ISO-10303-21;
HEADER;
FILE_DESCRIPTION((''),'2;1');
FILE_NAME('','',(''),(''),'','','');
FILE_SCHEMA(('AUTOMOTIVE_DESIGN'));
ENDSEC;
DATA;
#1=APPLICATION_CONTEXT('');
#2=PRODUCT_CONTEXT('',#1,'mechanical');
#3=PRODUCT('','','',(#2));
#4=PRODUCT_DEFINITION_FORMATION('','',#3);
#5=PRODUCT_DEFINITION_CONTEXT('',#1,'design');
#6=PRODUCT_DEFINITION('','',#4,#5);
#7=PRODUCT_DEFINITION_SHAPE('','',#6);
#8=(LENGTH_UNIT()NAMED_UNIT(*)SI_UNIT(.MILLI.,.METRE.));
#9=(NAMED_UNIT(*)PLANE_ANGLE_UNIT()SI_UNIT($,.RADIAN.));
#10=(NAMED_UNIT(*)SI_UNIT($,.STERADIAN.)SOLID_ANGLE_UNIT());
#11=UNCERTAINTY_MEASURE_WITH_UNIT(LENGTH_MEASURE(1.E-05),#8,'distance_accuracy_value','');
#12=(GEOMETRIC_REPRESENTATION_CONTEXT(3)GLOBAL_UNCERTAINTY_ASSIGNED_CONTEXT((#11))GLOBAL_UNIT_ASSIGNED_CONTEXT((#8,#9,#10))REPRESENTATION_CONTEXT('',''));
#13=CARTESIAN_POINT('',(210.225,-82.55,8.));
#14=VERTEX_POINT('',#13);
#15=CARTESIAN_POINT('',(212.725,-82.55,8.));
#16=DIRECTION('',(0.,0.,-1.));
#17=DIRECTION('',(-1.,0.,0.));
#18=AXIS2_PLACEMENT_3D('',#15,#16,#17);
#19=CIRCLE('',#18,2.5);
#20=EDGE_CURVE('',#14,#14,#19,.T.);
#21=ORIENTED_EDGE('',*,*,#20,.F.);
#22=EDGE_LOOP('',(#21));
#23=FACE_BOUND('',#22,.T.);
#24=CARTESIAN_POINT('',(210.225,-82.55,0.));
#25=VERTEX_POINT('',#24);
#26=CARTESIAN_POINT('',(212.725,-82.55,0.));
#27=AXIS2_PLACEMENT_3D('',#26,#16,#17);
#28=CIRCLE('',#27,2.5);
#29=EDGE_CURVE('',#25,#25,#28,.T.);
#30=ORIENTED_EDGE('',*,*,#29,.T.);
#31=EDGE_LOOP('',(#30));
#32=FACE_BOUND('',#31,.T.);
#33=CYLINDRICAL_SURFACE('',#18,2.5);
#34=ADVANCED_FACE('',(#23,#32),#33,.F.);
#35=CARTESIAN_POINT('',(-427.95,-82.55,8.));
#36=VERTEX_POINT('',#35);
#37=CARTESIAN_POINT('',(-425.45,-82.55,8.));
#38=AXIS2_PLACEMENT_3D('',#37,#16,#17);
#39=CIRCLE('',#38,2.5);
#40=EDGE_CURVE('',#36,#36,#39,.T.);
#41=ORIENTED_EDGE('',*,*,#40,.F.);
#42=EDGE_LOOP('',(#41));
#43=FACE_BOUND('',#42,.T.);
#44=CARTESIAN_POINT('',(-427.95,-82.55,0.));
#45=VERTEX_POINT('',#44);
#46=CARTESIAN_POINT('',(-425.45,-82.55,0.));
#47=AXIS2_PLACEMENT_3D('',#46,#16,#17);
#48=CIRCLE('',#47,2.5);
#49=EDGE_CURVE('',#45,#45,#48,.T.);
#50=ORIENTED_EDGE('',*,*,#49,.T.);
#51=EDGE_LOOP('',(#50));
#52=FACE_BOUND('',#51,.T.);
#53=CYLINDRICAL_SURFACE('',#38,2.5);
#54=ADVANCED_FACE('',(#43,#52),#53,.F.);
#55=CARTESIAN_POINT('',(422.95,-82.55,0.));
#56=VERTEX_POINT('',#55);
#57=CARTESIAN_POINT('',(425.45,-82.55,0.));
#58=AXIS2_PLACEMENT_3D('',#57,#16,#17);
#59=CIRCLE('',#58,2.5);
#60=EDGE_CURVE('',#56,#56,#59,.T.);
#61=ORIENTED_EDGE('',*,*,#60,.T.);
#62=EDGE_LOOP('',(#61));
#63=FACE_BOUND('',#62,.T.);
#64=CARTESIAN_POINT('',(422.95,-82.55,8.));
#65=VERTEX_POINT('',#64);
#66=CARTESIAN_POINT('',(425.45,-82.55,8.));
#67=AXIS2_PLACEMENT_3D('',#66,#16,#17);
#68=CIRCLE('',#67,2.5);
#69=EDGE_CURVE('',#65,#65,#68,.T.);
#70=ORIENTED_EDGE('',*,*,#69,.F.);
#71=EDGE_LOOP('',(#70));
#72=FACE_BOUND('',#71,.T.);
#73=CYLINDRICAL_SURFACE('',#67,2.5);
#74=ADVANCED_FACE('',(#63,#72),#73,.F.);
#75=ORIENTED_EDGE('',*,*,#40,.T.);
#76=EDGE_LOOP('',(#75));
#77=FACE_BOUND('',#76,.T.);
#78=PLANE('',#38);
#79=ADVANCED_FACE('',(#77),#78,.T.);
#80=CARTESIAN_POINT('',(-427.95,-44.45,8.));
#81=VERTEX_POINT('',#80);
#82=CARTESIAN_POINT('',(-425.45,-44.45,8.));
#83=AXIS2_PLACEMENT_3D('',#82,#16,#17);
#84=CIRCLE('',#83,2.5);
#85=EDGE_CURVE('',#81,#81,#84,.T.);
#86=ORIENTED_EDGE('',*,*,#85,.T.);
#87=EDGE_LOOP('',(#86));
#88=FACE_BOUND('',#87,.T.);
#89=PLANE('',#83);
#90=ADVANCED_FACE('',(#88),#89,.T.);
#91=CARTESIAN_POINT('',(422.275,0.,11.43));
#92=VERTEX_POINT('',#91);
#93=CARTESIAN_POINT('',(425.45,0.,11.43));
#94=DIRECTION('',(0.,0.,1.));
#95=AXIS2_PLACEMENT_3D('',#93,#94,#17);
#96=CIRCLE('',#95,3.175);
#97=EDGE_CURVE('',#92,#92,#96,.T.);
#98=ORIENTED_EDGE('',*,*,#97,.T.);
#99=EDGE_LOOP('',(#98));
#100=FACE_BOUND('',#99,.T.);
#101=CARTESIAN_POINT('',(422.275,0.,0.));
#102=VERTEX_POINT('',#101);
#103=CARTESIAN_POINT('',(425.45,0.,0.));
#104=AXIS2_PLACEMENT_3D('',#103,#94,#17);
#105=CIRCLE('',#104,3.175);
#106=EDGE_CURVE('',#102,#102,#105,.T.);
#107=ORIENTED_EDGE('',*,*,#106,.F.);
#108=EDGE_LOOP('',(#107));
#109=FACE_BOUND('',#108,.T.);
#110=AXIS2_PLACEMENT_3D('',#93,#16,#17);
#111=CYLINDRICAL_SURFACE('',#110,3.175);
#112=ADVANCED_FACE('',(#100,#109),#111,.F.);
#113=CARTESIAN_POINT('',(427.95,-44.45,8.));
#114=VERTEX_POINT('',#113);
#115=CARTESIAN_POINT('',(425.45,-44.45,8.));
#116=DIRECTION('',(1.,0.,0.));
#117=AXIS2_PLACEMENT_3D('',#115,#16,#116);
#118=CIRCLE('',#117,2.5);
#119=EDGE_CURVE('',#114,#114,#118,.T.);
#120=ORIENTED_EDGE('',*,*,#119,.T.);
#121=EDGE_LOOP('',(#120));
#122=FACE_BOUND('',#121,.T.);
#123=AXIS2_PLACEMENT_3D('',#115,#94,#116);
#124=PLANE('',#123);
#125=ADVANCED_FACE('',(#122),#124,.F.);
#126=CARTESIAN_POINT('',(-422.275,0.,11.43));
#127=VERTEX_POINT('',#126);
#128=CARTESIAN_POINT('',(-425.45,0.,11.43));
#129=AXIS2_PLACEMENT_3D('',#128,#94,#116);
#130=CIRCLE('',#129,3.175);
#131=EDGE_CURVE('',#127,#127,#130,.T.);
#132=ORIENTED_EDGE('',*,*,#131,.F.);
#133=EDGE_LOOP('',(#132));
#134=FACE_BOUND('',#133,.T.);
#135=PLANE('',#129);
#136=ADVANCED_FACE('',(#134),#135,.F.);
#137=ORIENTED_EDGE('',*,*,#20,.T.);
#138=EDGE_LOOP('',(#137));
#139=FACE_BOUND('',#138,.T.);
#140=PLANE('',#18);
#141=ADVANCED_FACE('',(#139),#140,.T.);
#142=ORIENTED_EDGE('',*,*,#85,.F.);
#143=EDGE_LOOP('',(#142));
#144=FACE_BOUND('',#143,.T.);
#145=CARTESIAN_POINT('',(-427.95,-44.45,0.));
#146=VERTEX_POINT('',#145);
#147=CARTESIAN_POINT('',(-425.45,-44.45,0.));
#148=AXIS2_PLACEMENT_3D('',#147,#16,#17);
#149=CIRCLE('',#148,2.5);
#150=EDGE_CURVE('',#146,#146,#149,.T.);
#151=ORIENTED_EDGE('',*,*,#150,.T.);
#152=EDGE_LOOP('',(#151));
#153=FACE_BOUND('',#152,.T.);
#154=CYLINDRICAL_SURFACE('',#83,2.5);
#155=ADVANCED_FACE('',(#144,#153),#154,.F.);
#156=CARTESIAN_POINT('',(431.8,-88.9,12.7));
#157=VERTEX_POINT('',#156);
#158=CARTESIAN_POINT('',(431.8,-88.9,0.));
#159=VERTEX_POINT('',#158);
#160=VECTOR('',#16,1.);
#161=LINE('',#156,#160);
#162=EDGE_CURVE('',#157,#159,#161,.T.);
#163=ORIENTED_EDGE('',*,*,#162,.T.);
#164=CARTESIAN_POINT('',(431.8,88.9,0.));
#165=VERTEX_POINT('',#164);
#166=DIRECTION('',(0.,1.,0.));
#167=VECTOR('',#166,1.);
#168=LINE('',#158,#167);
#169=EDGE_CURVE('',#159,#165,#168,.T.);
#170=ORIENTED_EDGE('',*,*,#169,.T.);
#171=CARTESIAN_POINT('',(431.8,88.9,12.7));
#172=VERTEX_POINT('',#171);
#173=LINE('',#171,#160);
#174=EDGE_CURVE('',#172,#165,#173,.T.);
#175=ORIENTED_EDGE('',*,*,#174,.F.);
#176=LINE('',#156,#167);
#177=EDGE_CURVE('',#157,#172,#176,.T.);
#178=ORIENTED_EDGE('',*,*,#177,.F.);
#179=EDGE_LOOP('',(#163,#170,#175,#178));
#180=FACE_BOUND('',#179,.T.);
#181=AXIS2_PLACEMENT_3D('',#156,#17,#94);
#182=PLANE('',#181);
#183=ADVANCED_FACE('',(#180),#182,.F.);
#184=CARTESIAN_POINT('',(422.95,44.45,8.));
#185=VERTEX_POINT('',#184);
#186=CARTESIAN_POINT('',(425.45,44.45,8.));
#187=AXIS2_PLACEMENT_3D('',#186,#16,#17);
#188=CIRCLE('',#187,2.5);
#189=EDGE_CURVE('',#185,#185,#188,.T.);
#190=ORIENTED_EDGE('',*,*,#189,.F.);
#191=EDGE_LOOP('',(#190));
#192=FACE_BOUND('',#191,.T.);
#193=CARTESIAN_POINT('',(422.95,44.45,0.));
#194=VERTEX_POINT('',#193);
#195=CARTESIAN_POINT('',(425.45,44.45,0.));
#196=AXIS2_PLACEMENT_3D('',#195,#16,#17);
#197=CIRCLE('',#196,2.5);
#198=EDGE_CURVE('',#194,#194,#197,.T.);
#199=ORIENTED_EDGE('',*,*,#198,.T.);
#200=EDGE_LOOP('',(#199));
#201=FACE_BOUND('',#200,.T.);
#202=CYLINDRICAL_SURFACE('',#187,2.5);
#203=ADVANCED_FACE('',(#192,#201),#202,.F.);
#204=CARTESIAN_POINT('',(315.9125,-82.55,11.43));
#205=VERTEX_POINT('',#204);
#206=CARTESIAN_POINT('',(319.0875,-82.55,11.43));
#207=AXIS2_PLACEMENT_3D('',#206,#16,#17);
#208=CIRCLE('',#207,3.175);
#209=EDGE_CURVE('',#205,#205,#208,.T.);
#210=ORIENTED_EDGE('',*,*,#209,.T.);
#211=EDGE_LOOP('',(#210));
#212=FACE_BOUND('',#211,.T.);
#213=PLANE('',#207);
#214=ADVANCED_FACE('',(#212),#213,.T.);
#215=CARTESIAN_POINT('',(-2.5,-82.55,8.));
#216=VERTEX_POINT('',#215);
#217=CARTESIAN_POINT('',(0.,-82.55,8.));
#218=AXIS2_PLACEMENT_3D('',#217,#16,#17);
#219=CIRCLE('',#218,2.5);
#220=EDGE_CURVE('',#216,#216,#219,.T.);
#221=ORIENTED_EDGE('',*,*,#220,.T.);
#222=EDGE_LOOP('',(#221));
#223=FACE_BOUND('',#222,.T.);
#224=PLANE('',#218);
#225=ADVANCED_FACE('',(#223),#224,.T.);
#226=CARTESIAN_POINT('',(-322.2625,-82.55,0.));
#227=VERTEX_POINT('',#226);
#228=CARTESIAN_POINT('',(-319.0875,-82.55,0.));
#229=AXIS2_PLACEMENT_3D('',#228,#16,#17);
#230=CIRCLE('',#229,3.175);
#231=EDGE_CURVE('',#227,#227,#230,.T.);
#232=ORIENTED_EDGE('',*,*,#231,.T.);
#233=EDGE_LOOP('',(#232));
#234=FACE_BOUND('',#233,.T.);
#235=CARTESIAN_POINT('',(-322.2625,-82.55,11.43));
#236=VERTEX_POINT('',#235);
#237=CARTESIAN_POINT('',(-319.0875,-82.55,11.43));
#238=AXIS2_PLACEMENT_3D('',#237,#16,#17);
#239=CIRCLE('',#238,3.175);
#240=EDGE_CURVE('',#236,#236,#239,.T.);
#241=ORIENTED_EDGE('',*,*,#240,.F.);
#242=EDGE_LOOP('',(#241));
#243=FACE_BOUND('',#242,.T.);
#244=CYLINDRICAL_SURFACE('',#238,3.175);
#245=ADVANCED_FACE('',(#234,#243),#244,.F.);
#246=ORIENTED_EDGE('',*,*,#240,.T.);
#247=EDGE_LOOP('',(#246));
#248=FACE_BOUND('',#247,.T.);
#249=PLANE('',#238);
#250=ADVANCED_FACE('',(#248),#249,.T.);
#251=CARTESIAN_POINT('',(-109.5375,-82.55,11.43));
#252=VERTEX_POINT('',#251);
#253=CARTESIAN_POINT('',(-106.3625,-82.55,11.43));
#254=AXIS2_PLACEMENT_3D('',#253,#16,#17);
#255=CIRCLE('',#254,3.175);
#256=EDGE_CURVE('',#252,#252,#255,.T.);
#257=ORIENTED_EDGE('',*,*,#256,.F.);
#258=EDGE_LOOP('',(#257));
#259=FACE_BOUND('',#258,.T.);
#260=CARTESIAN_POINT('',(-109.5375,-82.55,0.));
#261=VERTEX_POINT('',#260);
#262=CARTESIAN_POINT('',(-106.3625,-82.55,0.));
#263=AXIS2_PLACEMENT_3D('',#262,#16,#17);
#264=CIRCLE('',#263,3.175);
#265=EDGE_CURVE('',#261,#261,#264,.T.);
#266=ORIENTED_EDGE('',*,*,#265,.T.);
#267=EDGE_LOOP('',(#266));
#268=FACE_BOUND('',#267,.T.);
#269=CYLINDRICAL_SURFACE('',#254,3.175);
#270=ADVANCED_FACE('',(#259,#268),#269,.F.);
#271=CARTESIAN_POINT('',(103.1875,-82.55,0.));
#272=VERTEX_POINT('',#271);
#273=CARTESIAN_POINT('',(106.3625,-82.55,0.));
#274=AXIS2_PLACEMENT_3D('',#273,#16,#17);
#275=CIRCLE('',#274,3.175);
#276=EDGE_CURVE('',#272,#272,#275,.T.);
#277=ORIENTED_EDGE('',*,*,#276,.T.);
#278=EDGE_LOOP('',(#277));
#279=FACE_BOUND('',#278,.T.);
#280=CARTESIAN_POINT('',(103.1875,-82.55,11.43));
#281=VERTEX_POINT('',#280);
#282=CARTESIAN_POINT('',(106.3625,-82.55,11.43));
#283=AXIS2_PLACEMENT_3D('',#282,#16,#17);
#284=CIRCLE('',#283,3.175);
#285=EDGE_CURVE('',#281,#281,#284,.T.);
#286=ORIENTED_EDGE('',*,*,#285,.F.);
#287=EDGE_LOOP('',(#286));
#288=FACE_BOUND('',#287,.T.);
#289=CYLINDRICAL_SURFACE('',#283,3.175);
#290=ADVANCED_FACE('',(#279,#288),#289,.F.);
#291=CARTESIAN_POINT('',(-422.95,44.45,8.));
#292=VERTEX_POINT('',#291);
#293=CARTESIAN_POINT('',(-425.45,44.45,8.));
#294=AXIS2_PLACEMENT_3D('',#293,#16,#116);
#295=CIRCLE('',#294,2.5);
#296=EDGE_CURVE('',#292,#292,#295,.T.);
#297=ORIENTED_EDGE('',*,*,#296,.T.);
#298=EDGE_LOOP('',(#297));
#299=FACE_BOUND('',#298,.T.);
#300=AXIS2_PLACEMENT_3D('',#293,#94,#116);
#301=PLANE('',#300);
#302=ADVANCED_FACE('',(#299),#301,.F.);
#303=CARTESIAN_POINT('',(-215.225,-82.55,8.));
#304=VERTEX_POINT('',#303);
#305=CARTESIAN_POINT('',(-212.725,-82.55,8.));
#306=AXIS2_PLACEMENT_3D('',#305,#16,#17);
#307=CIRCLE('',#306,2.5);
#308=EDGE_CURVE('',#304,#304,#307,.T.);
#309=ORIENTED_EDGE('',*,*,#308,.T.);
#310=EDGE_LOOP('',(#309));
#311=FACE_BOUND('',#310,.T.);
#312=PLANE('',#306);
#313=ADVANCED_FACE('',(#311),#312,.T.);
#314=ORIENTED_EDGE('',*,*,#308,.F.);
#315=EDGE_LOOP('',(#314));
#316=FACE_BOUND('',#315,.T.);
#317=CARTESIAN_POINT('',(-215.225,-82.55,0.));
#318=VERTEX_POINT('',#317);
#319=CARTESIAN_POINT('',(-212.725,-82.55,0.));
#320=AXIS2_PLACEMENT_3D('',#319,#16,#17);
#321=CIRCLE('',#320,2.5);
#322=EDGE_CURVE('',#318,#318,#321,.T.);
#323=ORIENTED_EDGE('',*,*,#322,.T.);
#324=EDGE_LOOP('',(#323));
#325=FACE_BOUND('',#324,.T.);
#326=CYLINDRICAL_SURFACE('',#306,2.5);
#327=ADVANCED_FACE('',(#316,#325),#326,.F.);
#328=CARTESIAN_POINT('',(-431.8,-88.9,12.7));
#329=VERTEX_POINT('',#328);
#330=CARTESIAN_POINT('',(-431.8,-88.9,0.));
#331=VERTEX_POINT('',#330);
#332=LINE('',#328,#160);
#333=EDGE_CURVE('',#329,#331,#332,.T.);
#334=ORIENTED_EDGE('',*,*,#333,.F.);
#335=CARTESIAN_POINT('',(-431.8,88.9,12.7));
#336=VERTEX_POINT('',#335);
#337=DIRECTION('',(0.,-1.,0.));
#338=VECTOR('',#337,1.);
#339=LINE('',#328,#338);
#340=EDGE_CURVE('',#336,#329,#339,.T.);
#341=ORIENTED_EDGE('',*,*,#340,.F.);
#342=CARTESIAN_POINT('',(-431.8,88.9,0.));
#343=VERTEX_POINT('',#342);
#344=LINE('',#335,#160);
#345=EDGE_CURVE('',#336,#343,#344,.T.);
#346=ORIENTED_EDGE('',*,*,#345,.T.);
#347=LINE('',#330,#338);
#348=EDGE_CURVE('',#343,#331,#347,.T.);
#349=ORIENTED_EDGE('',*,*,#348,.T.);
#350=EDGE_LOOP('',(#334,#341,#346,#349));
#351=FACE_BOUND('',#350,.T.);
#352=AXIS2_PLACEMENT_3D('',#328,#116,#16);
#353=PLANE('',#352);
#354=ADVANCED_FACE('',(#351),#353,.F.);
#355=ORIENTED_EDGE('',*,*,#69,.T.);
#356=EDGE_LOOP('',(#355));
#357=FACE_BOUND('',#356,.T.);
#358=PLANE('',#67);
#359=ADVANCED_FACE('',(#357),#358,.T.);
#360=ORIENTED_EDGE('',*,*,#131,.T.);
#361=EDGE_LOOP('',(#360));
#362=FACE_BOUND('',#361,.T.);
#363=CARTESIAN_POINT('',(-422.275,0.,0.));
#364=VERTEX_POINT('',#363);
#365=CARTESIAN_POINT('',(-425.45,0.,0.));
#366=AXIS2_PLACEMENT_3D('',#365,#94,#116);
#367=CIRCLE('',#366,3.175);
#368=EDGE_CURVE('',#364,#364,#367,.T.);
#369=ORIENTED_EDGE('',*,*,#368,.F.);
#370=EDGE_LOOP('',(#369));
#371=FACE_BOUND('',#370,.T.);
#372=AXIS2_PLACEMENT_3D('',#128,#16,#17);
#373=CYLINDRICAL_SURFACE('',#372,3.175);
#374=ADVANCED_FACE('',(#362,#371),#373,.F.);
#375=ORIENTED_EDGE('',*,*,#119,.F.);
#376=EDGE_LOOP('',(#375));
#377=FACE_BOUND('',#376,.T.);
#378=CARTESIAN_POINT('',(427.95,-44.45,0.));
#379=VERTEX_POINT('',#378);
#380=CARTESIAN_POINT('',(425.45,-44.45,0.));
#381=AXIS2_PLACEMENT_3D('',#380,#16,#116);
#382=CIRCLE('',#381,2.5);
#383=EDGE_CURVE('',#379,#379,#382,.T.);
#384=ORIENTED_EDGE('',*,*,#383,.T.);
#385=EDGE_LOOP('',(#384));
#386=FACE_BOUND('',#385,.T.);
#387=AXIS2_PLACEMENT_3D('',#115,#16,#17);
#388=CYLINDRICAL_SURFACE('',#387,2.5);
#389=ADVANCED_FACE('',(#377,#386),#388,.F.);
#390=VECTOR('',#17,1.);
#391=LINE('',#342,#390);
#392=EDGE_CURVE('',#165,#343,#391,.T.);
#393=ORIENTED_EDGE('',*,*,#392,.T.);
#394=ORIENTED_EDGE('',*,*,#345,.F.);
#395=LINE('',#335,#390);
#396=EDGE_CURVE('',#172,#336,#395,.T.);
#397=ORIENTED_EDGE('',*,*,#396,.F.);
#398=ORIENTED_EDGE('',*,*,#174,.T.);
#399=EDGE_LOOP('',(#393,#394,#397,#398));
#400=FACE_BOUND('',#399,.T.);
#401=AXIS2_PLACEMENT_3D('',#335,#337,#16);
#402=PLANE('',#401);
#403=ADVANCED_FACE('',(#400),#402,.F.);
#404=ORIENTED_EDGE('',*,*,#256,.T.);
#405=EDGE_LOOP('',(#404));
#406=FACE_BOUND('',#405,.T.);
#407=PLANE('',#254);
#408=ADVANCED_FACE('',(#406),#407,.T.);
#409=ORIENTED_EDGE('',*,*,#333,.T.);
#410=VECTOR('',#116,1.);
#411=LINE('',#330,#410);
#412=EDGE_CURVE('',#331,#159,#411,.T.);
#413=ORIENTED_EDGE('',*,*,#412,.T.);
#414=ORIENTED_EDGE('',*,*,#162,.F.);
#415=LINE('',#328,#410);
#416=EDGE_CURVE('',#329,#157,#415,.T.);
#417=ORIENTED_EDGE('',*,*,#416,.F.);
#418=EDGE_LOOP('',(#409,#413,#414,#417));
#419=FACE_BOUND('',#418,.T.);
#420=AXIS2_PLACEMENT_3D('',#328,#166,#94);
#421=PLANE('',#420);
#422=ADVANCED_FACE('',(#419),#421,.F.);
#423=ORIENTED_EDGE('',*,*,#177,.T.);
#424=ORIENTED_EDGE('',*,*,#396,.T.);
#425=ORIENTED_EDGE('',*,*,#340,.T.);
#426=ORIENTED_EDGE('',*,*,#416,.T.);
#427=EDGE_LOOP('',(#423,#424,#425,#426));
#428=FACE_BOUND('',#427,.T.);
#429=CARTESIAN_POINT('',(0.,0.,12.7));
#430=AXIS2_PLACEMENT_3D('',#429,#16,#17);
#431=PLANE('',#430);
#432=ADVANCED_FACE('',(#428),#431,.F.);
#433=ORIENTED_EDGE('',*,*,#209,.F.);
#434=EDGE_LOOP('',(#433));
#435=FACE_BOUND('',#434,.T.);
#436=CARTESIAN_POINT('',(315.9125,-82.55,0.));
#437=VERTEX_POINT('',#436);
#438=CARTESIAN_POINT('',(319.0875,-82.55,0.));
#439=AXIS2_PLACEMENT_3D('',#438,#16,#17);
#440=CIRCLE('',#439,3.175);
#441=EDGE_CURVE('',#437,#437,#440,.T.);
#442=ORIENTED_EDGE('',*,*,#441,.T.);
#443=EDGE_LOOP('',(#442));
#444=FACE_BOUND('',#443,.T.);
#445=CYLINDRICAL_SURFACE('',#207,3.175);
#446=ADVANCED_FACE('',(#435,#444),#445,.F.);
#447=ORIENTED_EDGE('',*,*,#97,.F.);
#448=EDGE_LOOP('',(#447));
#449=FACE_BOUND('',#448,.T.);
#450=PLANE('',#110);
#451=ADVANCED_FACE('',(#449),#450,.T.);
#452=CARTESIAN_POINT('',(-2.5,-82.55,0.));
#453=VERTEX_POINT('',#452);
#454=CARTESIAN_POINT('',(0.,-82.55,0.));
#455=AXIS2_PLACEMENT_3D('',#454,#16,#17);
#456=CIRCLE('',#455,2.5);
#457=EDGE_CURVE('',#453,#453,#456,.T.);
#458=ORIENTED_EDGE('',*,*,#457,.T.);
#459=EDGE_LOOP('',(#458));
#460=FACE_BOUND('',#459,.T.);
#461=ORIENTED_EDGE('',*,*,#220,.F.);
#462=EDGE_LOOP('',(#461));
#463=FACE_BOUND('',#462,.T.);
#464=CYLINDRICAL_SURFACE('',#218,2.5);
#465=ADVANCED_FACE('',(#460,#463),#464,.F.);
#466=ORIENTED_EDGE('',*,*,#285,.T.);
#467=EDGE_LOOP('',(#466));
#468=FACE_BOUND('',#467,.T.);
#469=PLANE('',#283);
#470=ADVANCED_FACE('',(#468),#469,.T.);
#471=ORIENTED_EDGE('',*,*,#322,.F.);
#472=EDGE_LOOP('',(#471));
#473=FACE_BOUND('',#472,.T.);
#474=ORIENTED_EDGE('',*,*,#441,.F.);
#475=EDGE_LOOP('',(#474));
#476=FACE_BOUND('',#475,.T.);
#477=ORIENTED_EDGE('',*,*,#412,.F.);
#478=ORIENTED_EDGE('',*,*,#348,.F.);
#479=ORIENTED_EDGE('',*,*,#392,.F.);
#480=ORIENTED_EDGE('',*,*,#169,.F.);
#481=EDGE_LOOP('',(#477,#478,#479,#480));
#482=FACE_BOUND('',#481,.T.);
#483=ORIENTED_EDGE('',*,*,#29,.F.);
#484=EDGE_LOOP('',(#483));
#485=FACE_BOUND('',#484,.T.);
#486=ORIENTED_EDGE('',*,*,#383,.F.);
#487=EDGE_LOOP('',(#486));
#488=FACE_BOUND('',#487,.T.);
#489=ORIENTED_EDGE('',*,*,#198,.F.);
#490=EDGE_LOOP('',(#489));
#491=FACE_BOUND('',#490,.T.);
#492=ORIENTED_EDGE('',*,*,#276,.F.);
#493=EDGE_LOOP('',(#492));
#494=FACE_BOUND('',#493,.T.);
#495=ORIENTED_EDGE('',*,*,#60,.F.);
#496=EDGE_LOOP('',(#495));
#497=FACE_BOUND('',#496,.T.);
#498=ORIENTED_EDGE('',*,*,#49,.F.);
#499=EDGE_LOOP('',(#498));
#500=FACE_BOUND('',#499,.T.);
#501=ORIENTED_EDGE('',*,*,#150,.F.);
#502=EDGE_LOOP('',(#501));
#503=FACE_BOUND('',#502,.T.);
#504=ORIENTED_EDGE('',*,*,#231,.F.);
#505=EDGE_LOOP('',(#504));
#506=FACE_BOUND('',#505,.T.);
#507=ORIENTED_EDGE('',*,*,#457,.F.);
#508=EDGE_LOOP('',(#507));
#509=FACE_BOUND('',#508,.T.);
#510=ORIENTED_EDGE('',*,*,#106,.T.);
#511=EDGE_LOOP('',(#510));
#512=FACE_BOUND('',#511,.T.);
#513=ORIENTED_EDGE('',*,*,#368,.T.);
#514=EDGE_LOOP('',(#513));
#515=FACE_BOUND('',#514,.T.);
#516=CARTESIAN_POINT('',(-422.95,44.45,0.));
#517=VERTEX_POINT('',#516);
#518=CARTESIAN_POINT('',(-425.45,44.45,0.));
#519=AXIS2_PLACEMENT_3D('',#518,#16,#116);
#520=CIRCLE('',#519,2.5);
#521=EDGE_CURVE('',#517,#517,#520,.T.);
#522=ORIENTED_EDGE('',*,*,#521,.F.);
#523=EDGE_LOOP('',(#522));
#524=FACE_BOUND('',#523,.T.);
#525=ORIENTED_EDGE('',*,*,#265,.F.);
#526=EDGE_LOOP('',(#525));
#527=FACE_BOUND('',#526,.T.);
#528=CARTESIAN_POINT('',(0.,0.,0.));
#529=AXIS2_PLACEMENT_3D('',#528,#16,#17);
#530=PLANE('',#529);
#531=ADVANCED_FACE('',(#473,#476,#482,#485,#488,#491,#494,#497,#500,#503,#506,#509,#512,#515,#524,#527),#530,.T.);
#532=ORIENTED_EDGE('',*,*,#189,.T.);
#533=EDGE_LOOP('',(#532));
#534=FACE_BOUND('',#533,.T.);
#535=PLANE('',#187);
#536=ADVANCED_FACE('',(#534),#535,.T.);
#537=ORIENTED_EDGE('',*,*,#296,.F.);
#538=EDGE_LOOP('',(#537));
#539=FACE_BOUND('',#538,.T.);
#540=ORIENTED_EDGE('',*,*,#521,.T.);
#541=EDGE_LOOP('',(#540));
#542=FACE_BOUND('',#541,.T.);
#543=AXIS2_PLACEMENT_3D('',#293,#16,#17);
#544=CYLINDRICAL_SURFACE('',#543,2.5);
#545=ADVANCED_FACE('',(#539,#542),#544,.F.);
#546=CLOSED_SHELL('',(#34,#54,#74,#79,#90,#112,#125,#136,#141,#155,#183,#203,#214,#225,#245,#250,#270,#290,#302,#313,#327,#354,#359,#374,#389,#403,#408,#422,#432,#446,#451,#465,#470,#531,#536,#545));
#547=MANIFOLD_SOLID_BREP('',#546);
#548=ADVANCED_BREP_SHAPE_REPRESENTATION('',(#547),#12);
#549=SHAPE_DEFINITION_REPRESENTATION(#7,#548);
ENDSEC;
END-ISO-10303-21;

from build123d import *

# Parameters (mm, degrees)
SKETCH1_W           = 863.6
SKETCH1_H           = 177.8
BOSS_EXTRUDE1_DEPTH = 12.7
SKETCH2_R           = 3.175
CUT_EXTRUDE3_DEPTH  = 11.43
SKETCH3_R           = 2.5
CUT_EXTRUDE4_DEPTH  = 8
SKETCH5_R           = 2.5
CUT_EXTRUDE6_DEPTH  = 8
SKETCH6_R           = 3.175
CUT_EXTRUDE7_DEPTH  = 11.43


with BuildPart() as part:
    # Sketch1 → Boss-Extrude1 (new body)
    with BuildSketch(Plane.XY):
        Rectangle(SKETCH1_W, SKETCH1_H)
    extrude(amount=BOSS_EXTRUDE1_DEPTH)

    # Sketch2 → Cut-Extrude3 (cut)
    with BuildSketch(Plane.XY):
        with Locations((-425.45, 0)):
            Circle(SKETCH2_R)
        with Locations(Location((425.45, 0, 0), (0, 0, 180))):
            Circle(SKETCH2_R)
    extrude(amount=CUT_EXTRUDE3_DEPTH, mode=Mode.SUBTRACT)

    # Sketch3 → Cut-Extrude4 (cut)
    with BuildSketch(Plane(origin=(0, 0, 0), x_dir=(-1, 0, 0), z_dir=(0, 0, -1))):
        with Locations((-425.45, 44.45)):
            Circle(SKETCH3_R)
        with Locations(Location((425.45, 44.45, 0), (0, 0, 180))):
            Circle(SKETCH3_R)
        with Locations((425.45, -44.45)):
            Circle(SKETCH3_R)
        with Locations(Location((-425.45, -44.45, 0), (0, 0, 180))):
            Circle(SKETCH3_R)
    extrude(amount=-CUT_EXTRUDE4_DEPTH, mode=Mode.SUBTRACT)

    # Sketch5 → Cut-Extrude6 (cut)
    with BuildSketch(Plane(origin=(0, 0, 0), x_dir=(-1, 0, 0), z_dir=(0, 0, -1))):
        with Locations((-425.45, -82.55)):
            Circle(SKETCH5_R)
        with Locations((-212.725, -82.55)):
            Circle(SKETCH5_R)
        with Locations((0, -82.55)):
            Circle(SKETCH5_R)
        with Locations((212.725, -82.55)):
            Circle(SKETCH5_R)
        with Locations((425.45, -82.55)):
            Circle(SKETCH5_R)
    extrude(amount=-CUT_EXTRUDE6_DEPTH, mode=Mode.SUBTRACT)

    # Sketch6 → Cut-Extrude7 (cut)
    with BuildSketch(Plane(origin=(0, 0, 0), x_dir=(-1, 0, 0), z_dir=(0, 0, -1))):
        with Locations((-319.0875, -82.55)):
            Circle(SKETCH6_R)
        with Locations((-106.3625, -82.55)):
            Circle(SKETCH6_R)
        with Locations((106.3625, -82.55)):
            Circle(SKETCH6_R)
        with Locations((319.0875, -82.55)):
            Circle(SKETCH6_R)
    extrude(amount=-CUT_EXTRUDE7_DEPTH, mode=Mode.SUBTRACT)


solid = part.part
